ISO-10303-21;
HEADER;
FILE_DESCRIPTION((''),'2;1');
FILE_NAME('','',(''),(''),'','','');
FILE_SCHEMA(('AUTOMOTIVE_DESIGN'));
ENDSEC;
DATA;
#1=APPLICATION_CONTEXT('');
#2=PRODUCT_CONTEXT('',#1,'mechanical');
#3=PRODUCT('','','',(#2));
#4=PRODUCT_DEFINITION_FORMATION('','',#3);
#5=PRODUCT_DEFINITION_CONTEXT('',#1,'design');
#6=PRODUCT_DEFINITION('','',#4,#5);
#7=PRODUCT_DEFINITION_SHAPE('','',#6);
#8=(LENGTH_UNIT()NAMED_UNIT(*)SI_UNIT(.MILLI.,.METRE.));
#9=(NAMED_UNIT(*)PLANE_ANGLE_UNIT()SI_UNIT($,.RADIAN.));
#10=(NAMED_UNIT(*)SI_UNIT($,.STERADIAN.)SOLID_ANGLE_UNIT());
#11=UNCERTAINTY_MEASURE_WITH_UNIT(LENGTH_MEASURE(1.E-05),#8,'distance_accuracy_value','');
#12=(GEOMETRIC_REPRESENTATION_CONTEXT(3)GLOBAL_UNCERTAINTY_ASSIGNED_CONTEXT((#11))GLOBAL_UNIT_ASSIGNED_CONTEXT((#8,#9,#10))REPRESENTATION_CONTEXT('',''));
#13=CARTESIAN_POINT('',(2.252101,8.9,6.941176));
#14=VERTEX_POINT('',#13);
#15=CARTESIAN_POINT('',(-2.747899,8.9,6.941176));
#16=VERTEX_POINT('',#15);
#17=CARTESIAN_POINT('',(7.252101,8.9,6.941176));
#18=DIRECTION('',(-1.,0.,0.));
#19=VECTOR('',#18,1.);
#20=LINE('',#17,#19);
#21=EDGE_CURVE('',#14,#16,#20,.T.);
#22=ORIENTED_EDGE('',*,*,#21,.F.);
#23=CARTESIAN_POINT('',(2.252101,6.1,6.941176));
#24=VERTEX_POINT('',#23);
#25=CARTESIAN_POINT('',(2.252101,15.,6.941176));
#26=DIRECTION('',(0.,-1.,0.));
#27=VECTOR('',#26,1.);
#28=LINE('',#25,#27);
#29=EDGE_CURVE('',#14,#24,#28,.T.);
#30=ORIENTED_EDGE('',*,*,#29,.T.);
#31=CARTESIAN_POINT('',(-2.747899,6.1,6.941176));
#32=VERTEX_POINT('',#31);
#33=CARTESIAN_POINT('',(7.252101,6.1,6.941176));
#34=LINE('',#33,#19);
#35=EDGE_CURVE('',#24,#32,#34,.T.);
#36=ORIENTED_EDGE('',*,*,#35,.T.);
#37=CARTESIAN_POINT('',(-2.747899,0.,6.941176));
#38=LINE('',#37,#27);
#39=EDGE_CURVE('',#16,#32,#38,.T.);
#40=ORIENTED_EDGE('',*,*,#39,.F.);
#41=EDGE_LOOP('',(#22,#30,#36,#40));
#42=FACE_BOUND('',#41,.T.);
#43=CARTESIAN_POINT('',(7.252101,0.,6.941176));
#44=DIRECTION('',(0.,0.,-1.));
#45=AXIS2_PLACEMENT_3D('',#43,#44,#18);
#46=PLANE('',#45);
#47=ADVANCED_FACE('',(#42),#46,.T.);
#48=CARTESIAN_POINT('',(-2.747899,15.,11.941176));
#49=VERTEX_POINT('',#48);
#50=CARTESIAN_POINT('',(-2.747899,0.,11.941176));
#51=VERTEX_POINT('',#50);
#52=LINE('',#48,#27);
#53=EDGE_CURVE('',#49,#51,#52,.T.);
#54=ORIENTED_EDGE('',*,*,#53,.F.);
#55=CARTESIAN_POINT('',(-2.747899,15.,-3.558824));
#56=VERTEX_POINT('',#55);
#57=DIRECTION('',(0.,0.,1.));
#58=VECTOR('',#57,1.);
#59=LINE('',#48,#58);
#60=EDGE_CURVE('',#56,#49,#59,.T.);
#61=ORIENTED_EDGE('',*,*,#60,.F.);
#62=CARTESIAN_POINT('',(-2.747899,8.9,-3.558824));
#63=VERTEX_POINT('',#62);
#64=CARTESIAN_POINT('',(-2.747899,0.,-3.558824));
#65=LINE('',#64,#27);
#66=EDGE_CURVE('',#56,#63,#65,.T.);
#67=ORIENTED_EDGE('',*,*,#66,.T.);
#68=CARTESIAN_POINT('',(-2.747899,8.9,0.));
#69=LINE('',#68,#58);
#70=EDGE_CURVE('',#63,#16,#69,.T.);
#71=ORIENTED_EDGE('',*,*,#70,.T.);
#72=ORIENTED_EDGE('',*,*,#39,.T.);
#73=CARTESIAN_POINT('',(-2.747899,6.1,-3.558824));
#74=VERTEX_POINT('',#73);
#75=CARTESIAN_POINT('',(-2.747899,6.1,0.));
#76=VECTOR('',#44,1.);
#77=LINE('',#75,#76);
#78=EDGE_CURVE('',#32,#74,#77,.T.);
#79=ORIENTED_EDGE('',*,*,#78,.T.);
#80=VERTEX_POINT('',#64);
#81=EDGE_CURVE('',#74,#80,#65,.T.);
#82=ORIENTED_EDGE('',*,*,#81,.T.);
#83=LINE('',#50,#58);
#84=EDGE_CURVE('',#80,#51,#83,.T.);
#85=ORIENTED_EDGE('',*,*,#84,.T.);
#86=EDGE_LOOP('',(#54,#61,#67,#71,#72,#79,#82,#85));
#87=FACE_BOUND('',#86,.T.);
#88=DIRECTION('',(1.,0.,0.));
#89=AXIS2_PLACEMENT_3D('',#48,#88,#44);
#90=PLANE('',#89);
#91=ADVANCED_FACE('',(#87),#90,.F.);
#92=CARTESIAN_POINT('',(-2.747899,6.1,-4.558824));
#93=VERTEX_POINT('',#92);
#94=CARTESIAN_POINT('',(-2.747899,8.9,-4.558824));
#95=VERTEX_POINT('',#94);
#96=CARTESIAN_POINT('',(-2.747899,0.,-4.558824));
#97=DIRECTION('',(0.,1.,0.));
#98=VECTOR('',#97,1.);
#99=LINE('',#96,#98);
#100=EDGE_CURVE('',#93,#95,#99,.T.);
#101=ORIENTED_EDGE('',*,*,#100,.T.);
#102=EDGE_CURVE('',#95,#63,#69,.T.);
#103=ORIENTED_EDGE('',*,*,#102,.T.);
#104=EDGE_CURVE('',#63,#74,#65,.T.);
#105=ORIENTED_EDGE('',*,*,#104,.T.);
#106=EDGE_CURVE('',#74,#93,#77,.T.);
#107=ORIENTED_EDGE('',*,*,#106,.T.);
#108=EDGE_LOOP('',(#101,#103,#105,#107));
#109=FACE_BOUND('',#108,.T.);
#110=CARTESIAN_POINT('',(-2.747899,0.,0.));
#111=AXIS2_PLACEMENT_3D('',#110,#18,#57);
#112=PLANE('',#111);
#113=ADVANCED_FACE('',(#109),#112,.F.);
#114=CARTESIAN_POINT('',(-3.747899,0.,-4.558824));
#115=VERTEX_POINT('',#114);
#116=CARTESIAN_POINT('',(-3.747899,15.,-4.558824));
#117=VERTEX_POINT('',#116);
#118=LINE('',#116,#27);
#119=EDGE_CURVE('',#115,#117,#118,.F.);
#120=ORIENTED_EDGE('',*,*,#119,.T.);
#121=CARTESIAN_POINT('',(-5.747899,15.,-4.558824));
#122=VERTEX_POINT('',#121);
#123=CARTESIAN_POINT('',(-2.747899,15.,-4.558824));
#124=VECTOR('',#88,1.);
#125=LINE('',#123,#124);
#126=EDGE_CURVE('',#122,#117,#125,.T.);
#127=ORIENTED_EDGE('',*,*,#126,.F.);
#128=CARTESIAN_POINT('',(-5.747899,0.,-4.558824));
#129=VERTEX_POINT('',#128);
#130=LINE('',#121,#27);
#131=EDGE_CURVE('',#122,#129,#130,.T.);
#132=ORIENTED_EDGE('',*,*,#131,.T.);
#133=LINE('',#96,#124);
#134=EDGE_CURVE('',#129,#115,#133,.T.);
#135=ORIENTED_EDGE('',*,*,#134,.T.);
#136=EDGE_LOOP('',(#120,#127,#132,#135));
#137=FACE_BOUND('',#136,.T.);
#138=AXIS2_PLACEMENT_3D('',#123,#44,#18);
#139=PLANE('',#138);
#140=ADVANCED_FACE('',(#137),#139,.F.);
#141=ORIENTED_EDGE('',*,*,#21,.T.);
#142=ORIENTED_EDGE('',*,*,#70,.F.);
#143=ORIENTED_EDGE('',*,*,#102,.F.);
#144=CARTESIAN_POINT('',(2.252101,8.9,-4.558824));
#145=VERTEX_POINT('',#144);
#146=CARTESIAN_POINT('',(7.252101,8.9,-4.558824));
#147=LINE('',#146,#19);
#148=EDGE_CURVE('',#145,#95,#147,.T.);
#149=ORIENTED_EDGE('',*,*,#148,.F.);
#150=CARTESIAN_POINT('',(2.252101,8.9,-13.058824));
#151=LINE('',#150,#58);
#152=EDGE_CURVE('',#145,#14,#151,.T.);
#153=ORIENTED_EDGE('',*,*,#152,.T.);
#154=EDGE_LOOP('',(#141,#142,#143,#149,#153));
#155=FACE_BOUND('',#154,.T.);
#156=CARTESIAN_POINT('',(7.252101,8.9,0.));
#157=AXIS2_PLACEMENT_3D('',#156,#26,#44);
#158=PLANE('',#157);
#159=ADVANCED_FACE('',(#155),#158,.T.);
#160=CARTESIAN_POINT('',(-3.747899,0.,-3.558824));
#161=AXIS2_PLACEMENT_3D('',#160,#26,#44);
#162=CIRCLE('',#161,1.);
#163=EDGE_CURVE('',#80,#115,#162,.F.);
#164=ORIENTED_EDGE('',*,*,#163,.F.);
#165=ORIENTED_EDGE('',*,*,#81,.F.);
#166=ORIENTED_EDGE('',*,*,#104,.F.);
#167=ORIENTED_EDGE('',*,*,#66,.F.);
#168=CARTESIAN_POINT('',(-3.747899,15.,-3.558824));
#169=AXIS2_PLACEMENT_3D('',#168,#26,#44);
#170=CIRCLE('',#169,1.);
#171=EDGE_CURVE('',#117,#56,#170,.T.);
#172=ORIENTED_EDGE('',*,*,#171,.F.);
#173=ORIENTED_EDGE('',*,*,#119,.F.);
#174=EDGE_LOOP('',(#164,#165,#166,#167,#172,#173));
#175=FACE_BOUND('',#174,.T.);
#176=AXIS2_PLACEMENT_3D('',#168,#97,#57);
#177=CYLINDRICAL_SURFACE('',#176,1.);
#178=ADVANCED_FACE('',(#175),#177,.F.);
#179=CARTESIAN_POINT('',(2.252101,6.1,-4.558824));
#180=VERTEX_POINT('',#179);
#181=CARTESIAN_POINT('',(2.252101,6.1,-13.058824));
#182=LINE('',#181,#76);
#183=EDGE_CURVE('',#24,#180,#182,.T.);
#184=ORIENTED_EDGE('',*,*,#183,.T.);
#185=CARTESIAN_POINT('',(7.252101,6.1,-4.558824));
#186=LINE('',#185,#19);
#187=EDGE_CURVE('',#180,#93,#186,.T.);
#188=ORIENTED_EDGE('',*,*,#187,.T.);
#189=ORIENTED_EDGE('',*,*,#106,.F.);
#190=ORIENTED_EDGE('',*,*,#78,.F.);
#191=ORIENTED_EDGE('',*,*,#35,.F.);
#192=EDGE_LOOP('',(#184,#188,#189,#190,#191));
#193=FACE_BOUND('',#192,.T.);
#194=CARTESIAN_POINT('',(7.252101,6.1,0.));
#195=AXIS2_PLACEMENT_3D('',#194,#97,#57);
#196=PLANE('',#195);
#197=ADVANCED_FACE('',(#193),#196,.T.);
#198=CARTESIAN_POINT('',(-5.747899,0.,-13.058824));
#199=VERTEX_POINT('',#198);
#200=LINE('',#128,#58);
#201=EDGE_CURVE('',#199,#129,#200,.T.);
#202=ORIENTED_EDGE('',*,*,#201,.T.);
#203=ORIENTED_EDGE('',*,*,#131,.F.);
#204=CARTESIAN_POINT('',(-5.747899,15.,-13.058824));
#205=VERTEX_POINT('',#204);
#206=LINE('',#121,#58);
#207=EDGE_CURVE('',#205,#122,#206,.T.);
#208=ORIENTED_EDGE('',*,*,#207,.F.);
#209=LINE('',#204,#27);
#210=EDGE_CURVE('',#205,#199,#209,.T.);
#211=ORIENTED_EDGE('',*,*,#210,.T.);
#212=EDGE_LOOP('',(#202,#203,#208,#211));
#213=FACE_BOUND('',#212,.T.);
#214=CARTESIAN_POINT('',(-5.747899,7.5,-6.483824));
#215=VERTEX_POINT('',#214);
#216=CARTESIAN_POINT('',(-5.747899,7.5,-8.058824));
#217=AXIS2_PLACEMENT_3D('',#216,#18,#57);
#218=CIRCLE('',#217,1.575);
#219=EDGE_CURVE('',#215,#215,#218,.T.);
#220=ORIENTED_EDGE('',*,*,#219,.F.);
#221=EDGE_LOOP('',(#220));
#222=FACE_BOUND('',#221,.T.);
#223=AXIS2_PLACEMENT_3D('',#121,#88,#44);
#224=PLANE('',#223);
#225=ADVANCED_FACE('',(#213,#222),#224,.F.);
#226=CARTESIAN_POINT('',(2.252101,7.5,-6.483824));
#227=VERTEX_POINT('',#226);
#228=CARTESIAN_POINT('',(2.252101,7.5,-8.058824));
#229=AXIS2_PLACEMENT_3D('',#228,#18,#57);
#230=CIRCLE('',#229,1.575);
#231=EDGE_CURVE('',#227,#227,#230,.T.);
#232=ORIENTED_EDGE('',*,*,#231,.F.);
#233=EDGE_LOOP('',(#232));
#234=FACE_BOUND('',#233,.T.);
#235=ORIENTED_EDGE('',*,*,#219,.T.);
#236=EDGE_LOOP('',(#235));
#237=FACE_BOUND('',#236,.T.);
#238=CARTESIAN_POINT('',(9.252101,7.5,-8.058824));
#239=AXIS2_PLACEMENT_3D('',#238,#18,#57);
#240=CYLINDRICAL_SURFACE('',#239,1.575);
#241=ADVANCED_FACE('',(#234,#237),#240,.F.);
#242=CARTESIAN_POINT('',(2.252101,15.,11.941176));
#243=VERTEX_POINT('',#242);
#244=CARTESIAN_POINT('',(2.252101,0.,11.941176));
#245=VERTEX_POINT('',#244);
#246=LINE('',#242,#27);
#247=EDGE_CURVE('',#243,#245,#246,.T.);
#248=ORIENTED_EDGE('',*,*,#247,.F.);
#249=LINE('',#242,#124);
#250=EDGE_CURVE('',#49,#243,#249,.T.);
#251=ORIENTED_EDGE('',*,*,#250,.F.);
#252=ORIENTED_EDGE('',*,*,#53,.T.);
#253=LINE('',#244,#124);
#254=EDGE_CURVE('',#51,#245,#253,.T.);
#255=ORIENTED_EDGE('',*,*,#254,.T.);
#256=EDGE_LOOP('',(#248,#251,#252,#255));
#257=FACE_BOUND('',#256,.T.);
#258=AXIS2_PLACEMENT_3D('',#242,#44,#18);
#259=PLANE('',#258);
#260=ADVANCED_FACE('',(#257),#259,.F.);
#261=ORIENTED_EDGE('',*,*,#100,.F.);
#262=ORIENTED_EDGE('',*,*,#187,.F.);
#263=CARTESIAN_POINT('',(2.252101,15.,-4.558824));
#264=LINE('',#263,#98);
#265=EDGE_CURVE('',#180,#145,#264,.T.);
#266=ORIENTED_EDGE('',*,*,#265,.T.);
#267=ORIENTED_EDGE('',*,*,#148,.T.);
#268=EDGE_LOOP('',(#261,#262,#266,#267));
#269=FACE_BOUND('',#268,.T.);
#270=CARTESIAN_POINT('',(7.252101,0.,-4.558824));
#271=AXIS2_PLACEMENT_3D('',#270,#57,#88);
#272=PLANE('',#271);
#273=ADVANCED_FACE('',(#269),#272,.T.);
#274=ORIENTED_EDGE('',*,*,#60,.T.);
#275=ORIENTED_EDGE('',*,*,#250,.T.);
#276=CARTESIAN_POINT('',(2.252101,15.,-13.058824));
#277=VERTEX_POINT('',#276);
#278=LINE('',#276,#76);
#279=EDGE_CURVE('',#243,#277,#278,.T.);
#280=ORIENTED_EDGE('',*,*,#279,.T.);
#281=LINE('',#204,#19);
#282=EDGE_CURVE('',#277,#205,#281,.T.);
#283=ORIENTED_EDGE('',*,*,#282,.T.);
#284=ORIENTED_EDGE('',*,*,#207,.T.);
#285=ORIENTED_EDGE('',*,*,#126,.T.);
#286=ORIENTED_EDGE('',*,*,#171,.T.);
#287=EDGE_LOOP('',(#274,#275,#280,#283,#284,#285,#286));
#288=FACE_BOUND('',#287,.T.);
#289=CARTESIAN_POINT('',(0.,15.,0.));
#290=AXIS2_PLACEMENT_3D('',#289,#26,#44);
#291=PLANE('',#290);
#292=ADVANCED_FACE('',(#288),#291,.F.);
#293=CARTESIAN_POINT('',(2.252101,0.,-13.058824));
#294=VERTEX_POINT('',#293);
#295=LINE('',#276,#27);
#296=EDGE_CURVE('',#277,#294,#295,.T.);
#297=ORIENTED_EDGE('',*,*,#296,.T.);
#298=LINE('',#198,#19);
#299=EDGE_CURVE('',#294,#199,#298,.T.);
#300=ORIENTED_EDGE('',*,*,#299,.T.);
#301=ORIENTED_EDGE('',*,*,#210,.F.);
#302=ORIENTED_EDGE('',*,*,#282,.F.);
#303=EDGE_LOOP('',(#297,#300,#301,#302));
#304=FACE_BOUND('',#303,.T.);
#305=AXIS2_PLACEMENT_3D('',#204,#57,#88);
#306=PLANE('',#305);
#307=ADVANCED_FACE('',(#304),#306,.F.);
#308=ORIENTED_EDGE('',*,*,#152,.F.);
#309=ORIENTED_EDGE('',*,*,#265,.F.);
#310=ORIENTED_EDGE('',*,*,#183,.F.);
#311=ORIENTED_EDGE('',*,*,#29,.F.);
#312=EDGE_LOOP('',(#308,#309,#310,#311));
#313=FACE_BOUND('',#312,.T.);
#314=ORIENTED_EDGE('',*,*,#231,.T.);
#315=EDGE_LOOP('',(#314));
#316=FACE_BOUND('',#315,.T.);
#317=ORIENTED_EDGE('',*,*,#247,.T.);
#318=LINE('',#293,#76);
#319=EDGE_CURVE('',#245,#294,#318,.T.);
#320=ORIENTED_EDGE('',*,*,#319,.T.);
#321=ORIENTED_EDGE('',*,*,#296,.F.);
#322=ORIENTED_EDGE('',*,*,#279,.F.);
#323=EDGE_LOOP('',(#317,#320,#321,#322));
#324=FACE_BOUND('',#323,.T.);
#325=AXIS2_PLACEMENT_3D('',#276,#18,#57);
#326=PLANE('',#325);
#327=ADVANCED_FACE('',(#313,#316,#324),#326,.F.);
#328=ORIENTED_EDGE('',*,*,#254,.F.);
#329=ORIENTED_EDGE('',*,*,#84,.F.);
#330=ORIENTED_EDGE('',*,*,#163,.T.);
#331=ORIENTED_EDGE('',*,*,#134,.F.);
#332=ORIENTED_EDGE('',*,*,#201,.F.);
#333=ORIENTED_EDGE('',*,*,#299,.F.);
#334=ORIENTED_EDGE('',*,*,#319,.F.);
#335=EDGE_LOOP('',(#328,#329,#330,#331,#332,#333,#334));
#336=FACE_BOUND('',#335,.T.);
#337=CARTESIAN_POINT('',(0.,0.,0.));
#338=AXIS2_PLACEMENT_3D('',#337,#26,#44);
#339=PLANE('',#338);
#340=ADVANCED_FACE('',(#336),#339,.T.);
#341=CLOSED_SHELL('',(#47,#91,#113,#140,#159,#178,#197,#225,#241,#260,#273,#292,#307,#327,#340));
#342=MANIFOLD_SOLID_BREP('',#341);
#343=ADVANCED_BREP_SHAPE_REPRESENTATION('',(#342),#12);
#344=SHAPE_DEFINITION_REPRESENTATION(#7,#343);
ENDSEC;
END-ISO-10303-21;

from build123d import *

# Parameters (mm, degrees)
EXTRUDE_1_DEPTH     = 15
CUT_EXTRUDE_1_DEPTH = 15
FILLET_1_R          = 1
SKETCH_3_W          = 11.5
SKETCH_3_H          = 1.4
CUT_EXTRUDE_2_DEPTH = 10


with BuildPart() as part:
    # 草图1 → 凸台-拉伸1 (new body)
    with BuildSketch(Plane(origin=(0, 0, 0), x_dir=(1, 0, 0), z_dir=(0, 1, 0))):
        Polygon((-5.74789916, 13.058823529), (2.25210084, 13.058823529), (2.25210084, -11.941176471), (-2.74789916, -11.941176471), (-2.74789916, 4.558823529), (-5.74789916, 4.558823529), align=None)
    extrude(amount=EXTRUDE_1_DEPTH)

    # 草图2 → 切除-拉伸1 (cut)
    with BuildSketch(Plane.ZY.offset(5.74789916)):
        with BuildLine():
            ThreePointArc((-6.483823529, 7.5), (-8.058823529, 9.075), (-9.633823529, 7.5))
            Line((-9.633823529, 7.5), (-6.483823529, 7.5))
        make_face()
        with BuildLine():
            Line((-6.483823529, 7.5), (-9.633823529, 7.5))
            ThreePointArc((-9.633823529, 7.5), (-8.058823529, 5.925), (-6.483823529, 7.5))
        make_face()
    extrude(amount=-CUT_EXTRUDE_1_DEPTH, mode=Mode.SUBTRACT)

    # 圆角1
    fillet_1_edges = [part.edges().sort_by_distance(p)[0] for p in [
        (-2.74789916, 7.5, -4.558823529),
    ]]
    fillet(fillet_1_edges, radius=FILLET_1_R)

    # 草图3 → 切除-拉伸2 (cut)
    with BuildSketch(Plane.ZY.offset(2.74789916)):
        with Locations((1.191176471, 8.2)):
            Rectangle(SKETCH_3_W, SKETCH_3_H)
        with Locations((1.191176471, 6.8)):
            Rectangle(SKETCH_3_W, SKETCH_3_H)
    extrude(amount=-CUT_EXTRUDE_2_DEPTH, mode=Mode.SUBTRACT)


solid = part.part
